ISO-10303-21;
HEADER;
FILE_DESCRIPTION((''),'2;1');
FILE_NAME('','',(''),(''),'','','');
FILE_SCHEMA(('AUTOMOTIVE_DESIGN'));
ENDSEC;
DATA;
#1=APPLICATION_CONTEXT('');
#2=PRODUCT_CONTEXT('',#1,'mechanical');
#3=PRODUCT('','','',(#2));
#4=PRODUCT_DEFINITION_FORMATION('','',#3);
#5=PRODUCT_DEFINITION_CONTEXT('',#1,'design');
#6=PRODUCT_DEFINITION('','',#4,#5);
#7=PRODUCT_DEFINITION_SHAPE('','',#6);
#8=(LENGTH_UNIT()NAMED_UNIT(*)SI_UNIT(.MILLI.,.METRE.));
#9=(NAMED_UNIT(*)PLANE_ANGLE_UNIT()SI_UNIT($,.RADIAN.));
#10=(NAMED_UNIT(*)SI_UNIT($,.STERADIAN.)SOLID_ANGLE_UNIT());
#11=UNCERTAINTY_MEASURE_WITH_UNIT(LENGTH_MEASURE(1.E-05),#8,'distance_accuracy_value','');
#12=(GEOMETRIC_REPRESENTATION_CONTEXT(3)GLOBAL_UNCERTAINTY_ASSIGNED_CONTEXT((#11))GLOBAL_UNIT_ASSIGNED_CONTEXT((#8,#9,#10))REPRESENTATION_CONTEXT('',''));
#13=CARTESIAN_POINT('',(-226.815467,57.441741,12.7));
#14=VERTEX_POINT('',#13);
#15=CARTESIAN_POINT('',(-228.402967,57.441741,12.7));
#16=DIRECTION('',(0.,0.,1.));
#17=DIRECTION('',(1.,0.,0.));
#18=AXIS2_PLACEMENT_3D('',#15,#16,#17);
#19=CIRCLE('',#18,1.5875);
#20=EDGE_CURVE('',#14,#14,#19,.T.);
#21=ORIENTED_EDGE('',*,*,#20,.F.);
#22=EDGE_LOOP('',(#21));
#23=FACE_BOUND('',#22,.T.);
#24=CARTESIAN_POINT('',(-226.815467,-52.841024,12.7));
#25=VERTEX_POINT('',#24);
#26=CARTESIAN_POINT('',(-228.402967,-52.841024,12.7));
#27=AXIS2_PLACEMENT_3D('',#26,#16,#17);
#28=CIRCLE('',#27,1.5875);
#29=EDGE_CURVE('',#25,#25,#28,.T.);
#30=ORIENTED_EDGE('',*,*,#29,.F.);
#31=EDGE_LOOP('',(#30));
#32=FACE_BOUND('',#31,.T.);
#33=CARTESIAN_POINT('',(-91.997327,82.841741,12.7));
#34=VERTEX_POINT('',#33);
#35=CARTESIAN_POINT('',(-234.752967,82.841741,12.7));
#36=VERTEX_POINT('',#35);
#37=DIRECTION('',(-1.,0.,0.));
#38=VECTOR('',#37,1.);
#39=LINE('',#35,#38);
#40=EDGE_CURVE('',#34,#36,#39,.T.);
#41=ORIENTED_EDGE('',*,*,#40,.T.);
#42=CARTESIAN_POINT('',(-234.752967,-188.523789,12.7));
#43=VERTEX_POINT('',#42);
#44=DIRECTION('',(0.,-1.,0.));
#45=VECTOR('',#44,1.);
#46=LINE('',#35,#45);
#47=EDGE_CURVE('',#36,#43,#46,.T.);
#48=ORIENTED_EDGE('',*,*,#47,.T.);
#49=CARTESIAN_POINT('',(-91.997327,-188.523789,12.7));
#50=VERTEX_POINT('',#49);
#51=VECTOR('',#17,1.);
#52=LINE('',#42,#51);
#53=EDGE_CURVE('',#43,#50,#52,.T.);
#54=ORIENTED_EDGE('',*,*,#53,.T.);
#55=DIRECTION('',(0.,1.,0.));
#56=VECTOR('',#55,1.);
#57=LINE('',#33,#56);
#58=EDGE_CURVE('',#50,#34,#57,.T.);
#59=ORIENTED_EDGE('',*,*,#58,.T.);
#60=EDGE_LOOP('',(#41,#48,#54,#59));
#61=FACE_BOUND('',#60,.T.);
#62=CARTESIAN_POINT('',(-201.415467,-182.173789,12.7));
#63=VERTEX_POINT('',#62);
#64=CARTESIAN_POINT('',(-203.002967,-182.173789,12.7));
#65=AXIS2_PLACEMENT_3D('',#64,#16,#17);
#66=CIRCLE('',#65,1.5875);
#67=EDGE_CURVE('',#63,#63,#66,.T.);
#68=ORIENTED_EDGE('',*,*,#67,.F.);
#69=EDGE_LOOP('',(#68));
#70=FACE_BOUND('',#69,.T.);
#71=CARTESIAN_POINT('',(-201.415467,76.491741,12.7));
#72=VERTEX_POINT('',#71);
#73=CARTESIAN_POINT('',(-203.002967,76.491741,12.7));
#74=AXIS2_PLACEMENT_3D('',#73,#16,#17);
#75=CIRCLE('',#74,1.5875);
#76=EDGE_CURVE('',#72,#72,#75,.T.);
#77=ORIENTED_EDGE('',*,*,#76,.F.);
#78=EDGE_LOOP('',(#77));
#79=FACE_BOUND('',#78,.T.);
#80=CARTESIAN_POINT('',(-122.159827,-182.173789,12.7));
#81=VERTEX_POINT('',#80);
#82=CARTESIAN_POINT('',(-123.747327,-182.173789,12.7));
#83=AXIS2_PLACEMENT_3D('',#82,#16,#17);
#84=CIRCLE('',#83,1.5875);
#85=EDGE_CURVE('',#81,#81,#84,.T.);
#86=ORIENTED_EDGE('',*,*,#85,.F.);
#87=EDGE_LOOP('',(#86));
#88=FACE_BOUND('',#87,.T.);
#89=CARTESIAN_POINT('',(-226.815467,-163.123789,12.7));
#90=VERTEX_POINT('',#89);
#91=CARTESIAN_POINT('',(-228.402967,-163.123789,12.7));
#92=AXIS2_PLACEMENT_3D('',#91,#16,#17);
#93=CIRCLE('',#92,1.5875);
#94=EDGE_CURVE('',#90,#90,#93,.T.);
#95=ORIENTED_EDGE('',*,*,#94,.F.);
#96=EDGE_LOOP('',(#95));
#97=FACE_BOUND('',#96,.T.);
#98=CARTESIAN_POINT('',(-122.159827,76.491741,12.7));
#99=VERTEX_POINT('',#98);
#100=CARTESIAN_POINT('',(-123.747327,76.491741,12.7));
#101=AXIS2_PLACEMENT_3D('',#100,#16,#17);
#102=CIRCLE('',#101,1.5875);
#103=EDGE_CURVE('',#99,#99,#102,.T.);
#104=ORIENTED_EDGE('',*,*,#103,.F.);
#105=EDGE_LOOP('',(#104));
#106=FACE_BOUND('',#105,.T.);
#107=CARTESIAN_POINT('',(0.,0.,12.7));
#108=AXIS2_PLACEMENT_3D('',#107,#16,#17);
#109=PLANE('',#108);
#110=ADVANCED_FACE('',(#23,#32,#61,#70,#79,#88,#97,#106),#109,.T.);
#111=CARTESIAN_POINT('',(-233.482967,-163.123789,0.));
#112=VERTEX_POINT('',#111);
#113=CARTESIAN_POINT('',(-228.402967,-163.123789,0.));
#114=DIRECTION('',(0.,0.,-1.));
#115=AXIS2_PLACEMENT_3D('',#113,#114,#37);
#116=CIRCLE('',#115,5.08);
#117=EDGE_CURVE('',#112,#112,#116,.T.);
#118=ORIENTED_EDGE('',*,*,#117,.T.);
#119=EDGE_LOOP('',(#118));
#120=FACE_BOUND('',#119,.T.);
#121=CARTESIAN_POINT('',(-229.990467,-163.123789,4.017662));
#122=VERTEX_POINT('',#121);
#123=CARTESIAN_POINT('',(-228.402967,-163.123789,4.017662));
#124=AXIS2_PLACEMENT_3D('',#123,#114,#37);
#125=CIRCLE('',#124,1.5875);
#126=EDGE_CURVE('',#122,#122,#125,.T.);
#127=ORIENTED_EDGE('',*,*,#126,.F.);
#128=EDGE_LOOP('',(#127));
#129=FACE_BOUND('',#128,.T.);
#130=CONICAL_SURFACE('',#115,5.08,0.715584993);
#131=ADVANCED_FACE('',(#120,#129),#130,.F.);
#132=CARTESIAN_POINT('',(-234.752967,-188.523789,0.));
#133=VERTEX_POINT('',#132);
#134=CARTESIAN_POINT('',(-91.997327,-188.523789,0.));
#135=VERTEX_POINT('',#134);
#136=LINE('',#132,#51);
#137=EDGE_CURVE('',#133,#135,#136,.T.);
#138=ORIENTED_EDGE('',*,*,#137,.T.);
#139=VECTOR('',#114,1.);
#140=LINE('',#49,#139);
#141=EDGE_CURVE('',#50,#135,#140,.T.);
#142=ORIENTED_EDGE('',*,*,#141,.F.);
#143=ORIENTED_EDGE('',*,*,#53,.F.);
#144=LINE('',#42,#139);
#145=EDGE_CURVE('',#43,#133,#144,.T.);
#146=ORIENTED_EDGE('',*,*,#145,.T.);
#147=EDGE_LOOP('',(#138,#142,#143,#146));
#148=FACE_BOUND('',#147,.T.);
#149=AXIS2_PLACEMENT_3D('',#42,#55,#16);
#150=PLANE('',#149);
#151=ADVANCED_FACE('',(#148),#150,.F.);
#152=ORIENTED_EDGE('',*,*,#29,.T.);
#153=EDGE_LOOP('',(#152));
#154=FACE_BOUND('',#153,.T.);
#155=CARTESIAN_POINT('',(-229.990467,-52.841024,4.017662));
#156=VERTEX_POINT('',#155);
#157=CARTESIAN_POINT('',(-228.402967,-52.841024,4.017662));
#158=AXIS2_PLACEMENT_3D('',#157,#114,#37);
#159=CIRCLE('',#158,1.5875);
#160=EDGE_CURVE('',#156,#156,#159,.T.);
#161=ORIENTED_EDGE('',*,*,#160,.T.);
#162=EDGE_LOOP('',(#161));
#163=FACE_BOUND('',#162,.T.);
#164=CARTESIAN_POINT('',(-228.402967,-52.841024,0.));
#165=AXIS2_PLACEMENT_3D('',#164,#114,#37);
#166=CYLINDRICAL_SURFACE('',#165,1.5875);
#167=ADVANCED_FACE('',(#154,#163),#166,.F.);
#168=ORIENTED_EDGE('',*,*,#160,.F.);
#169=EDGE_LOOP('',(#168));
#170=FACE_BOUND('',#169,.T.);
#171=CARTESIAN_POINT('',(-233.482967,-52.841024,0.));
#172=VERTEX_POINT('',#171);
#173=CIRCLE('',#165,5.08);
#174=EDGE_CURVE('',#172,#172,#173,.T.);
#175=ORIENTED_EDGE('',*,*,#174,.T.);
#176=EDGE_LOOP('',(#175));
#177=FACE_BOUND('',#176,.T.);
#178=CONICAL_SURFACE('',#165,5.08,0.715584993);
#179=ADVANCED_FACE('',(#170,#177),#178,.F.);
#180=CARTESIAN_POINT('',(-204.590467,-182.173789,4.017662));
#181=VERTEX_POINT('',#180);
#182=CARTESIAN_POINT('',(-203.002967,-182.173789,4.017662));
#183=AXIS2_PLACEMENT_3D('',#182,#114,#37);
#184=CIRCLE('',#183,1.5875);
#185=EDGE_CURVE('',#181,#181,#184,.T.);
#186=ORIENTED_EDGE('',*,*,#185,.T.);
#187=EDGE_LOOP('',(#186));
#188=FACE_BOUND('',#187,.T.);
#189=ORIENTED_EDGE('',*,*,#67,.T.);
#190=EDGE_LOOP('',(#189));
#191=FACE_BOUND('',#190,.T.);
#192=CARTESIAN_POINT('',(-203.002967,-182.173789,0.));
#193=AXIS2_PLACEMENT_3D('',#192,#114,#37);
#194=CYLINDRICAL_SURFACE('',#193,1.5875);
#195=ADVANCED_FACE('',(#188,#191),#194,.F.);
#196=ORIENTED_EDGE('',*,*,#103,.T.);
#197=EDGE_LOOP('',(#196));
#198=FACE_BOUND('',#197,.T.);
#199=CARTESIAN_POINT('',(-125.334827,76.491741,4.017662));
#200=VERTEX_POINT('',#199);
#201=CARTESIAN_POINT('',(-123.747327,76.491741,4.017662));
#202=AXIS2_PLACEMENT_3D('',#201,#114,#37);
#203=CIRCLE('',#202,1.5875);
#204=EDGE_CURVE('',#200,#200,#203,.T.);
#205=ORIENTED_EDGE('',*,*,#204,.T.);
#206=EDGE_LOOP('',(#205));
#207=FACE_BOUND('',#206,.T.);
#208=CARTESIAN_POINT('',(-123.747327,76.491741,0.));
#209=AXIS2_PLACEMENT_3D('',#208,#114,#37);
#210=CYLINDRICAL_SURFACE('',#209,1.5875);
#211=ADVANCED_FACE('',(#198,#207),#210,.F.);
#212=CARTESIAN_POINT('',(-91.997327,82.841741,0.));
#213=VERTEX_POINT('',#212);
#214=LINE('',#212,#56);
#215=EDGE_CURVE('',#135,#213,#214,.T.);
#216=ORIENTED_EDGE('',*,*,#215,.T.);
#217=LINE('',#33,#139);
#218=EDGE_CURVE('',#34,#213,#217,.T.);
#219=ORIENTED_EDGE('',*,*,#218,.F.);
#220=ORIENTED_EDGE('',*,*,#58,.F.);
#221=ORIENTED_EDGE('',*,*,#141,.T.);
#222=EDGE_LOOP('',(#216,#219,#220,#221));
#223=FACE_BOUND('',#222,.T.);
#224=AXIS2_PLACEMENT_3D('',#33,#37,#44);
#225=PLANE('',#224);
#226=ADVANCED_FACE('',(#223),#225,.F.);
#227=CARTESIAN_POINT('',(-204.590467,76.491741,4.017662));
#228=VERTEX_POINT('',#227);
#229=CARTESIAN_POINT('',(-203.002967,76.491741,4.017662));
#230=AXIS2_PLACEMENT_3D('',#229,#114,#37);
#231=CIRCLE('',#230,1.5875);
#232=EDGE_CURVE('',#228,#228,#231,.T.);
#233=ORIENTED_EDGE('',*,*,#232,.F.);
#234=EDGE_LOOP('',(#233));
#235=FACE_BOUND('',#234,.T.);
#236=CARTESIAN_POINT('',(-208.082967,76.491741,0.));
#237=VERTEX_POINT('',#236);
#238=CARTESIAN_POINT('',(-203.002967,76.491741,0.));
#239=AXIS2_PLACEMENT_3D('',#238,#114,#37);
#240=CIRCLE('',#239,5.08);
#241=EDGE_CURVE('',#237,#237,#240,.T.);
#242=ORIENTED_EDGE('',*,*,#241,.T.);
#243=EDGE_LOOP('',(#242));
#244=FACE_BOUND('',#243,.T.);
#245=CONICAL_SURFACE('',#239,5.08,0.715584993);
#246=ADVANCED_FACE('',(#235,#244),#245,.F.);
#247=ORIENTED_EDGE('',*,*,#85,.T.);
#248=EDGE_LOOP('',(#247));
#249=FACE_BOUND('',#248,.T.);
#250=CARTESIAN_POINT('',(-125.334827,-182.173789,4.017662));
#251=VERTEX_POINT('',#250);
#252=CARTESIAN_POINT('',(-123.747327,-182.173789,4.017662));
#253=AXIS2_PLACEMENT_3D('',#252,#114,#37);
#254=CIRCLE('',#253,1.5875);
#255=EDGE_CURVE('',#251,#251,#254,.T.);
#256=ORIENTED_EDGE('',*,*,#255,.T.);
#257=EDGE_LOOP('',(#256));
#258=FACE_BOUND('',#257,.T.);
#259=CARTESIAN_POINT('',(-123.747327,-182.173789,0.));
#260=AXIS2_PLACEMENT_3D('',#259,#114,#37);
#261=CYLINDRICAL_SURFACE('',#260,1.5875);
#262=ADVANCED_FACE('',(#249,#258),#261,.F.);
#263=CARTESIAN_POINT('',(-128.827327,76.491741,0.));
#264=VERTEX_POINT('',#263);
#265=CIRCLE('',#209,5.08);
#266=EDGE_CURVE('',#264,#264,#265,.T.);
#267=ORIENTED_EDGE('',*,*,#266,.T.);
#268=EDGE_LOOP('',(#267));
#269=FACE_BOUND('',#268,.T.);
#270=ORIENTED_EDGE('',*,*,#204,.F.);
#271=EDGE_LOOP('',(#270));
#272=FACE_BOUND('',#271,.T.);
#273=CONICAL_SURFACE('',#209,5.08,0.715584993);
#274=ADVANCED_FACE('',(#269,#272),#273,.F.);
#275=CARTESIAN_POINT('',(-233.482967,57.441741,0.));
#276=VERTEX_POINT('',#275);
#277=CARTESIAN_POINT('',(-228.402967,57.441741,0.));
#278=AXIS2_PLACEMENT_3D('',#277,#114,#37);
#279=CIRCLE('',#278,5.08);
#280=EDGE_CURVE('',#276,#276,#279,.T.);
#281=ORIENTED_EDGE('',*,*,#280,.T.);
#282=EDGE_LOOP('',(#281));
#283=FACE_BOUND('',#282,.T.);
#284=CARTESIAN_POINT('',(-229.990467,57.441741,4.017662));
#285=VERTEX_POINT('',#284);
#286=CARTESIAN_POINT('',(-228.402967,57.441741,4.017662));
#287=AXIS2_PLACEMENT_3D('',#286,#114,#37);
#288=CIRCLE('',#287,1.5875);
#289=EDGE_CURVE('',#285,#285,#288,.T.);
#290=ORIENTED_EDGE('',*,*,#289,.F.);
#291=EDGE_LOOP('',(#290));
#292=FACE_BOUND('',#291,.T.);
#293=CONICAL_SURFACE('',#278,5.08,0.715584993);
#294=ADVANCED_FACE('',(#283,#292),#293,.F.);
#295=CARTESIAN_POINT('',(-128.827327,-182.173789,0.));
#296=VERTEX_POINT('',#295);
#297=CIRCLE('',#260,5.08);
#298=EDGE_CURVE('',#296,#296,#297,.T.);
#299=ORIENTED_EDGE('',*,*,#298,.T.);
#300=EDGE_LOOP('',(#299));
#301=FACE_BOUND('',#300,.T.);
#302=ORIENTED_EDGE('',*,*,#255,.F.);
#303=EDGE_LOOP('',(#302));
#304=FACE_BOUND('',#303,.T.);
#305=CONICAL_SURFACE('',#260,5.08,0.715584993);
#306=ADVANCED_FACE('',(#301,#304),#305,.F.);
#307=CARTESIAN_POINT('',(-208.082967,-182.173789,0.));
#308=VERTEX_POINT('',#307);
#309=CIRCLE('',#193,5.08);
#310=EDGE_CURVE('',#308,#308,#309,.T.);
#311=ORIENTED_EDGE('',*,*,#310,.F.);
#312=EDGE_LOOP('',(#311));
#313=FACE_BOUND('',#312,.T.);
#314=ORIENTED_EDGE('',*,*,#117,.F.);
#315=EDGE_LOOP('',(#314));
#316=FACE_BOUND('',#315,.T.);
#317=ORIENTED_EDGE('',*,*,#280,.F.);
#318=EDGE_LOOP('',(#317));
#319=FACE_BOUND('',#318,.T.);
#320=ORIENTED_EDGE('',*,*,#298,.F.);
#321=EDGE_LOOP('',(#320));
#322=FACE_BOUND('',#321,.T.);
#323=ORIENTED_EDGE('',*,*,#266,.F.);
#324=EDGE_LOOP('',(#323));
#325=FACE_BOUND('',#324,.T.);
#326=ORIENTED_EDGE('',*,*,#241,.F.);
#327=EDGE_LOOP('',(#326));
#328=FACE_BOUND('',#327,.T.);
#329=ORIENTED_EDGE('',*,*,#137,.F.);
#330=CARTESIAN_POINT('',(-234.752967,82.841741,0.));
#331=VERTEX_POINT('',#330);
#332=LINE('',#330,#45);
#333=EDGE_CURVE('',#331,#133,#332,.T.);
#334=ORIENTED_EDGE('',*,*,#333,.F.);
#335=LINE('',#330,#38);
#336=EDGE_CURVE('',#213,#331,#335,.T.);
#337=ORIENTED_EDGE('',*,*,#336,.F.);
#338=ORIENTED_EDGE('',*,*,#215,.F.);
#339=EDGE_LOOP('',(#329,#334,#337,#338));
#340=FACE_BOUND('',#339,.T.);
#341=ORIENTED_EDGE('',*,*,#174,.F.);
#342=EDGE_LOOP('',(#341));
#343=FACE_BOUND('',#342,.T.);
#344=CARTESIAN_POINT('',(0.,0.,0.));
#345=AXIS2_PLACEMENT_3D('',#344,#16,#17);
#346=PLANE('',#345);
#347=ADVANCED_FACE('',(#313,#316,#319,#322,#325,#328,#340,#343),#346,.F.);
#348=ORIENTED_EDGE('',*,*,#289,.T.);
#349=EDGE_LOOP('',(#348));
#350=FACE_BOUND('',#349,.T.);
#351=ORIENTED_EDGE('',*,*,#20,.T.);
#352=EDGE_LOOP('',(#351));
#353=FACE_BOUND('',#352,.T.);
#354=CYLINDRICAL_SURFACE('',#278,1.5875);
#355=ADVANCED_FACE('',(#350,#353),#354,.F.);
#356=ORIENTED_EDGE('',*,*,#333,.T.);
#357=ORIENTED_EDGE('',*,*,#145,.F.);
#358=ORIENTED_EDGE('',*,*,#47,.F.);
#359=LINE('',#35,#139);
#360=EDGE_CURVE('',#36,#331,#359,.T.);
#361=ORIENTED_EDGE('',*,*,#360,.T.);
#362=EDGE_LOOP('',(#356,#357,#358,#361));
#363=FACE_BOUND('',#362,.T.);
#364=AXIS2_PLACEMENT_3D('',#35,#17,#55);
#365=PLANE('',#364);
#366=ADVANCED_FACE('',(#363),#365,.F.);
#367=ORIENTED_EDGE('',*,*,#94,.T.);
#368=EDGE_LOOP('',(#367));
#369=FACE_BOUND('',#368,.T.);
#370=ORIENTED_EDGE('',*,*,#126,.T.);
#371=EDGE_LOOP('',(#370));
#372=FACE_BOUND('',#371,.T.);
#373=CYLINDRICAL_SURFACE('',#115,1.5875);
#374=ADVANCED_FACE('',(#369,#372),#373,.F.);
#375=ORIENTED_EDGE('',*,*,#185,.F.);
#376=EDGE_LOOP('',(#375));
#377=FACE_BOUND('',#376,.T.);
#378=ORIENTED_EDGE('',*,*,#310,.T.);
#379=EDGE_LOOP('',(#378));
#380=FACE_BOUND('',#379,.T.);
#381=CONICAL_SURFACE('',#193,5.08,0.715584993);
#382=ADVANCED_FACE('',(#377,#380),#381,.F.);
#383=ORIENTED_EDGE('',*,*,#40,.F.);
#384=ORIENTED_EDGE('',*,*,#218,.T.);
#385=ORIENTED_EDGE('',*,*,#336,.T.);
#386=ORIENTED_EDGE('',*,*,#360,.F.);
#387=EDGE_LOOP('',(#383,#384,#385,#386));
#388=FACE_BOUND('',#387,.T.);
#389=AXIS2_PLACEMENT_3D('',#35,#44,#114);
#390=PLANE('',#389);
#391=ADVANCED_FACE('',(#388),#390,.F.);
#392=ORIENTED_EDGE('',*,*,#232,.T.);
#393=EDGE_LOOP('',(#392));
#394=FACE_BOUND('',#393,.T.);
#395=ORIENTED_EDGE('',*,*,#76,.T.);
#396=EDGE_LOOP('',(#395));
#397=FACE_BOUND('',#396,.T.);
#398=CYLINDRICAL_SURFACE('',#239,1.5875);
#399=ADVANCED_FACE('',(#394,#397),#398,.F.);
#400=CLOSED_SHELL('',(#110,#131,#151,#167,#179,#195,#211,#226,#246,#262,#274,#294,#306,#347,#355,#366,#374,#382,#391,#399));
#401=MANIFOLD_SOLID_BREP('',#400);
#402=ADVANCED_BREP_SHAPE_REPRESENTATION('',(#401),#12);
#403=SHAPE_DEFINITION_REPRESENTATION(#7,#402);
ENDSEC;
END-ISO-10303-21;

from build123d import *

# Parameters (mm, degrees)
SKETCH1_W           = 142.755639788
SKETCH1_H           = 271.365530146
BOSS_EXTRUDE1_DEPTH = 12.7
HOLE1_D             = 3.175
HOLE1_DEPTH         = 31.75
HOLE1_CSINK_D       = 10.16
HOLE1_CSINK_ANGLE   = 82
HOLE1_TIP           = 0.953866233


with BuildPart() as part:
    # Sketch1 → Boss-Extrude1 (new body)
    with BuildSketch(Plane.XY):
        with Locations((-163.375147287, -52.841023691)):
            Rectangle(SKETCH1_W, SKETCH1_H)
    extrude(amount=BOSS_EXTRUDE1_DEPTH)

    # Hole1
    with Locations(Plane(origin=(181.039434513, -52.974999997, 0), x_dir=(0, -1, 0), z_dir=(0, 0, -1))):
        with Locations((129.198788767, 384.042401694), (-129.466741379, 384.042401694), (-129.466741379, 304.786761906), (-110.416741379, 409.442401694), (-0.133976306, 409.442401694), (110.148788767, 409.442401694), (129.198788767, 304.786761906)):
            CounterSinkHole(HOLE1_D / 2, HOLE1_CSINK_D / 2, depth=HOLE1_DEPTH, counter_sink_angle=HOLE1_CSINK_ANGLE)
            with Locations((0, 0, -(HOLE1_DEPTH + HOLE1_TIP / 2))):  # 118° drill point
                Cone(0, HOLE1_D / 2, HOLE1_TIP, mode=Mode.SUBTRACT)


solid = part.part
